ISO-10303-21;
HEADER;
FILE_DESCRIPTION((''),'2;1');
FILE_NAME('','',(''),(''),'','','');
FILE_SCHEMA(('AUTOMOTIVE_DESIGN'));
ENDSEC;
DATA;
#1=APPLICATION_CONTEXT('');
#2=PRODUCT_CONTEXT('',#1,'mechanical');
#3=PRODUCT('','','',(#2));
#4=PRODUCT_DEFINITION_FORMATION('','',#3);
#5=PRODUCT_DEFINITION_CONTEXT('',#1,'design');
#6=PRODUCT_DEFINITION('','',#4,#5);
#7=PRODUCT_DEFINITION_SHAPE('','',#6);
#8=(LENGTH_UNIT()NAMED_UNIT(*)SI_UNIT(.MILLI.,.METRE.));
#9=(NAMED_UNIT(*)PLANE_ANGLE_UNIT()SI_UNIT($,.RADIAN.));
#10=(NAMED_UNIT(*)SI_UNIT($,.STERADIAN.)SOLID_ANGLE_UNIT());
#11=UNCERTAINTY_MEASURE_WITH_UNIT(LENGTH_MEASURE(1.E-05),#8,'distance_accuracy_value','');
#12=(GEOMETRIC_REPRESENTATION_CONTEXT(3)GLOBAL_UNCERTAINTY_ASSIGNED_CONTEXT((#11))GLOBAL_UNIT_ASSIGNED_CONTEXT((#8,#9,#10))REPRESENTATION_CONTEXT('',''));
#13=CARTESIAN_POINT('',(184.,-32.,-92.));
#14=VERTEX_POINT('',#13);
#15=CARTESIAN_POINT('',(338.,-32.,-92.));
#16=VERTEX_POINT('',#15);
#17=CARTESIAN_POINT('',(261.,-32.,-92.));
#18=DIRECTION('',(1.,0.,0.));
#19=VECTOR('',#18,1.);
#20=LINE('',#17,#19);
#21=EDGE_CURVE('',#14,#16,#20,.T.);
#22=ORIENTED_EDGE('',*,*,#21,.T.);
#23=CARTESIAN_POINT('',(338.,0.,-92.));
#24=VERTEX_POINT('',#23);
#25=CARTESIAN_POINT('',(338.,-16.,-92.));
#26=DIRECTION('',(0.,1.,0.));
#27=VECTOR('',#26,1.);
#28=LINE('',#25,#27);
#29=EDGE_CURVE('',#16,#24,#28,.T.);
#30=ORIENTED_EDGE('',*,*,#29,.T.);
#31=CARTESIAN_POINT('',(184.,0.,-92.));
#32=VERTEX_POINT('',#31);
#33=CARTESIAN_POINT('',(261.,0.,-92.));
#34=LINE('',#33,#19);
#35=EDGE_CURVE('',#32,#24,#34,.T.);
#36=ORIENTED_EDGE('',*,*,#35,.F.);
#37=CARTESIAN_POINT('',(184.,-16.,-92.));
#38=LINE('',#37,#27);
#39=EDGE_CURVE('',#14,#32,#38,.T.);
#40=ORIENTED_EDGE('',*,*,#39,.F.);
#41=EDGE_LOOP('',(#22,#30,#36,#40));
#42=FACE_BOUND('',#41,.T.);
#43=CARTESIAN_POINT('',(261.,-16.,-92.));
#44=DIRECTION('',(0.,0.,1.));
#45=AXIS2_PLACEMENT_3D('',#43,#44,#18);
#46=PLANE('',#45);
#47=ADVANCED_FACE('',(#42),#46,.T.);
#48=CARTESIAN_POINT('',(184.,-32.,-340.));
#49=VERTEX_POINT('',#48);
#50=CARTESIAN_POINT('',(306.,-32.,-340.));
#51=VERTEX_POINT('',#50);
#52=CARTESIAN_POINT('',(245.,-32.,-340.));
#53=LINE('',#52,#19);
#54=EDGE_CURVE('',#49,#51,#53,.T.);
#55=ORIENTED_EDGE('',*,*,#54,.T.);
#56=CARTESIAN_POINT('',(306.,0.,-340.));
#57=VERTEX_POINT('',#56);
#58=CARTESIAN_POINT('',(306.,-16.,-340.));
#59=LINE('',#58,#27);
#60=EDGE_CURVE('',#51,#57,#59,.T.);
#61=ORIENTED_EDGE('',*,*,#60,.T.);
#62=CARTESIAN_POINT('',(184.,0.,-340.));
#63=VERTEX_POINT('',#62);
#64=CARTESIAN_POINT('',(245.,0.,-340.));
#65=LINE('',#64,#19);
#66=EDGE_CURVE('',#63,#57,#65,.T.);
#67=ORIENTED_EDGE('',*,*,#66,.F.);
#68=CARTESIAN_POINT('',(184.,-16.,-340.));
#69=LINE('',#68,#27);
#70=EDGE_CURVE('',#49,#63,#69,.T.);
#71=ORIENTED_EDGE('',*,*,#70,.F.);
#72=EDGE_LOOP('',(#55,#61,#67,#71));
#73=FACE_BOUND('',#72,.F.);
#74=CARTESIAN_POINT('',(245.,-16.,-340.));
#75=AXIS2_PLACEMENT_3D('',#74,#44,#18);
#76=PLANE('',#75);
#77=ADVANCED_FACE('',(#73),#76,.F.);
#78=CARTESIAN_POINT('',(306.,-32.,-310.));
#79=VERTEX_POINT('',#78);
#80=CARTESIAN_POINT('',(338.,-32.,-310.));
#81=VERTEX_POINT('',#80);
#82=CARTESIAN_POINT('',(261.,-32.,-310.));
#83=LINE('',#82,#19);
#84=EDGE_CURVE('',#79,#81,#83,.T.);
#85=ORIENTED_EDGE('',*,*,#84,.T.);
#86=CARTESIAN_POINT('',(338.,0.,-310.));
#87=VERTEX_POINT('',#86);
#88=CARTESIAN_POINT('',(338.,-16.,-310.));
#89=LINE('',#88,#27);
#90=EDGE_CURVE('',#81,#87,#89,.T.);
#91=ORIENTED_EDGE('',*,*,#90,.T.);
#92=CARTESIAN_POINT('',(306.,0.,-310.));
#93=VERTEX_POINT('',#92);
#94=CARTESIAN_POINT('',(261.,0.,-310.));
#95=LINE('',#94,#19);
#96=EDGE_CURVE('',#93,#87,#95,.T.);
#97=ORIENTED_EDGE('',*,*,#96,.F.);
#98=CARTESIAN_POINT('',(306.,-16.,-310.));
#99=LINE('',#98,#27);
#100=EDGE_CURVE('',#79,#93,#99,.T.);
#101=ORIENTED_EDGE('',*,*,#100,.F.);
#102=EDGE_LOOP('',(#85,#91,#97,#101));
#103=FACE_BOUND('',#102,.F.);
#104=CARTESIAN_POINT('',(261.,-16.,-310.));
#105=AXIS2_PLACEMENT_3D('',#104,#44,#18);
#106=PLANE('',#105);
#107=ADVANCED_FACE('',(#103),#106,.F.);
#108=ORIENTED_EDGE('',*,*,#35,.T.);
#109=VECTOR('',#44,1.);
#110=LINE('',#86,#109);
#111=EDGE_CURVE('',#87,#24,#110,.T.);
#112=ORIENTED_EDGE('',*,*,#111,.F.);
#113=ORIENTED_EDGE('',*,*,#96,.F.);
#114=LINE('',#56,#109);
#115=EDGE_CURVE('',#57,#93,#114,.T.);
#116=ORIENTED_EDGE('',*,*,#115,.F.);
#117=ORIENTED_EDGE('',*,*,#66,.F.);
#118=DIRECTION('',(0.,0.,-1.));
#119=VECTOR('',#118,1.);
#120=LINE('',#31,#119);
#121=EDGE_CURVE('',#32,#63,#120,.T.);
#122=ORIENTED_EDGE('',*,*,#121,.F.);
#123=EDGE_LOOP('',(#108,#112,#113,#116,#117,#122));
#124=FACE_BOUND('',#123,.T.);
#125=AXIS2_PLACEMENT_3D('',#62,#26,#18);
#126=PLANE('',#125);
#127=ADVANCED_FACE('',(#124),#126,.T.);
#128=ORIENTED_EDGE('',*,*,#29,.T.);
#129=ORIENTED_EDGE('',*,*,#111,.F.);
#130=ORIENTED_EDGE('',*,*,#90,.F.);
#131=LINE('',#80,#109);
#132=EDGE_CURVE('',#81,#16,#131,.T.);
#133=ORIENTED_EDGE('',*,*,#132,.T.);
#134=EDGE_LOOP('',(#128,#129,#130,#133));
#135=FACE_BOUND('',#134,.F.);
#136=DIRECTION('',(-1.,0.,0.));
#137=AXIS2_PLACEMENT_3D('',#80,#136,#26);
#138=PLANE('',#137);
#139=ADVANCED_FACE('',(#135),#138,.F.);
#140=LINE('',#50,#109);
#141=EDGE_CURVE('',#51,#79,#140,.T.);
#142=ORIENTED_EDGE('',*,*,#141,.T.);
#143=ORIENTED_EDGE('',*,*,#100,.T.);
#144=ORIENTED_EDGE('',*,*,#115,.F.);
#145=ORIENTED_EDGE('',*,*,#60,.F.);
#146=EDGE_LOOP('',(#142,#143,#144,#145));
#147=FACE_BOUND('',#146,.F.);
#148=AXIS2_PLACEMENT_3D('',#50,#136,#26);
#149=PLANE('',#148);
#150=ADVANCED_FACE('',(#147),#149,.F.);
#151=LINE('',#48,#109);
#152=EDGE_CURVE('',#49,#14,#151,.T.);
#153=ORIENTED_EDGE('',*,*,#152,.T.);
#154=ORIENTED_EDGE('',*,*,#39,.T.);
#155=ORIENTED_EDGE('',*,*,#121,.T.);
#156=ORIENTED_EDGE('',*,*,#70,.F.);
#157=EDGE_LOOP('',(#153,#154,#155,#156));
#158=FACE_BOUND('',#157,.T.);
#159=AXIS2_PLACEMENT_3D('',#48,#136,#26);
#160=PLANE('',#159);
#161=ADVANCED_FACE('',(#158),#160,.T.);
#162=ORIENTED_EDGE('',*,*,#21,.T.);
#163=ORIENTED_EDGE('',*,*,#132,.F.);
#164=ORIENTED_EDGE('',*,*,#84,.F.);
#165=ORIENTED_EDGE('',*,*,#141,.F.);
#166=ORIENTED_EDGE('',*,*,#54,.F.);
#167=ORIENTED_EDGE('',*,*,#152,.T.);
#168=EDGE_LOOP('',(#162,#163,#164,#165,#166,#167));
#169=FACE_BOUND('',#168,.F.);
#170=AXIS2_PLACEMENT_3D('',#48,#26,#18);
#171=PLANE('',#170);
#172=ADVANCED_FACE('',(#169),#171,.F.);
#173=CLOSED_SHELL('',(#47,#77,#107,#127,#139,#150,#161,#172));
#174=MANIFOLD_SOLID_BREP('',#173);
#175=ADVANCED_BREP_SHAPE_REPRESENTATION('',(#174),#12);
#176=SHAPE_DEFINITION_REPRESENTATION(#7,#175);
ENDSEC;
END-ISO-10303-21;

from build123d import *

# Parameters (mm, degrees)
BOX003013002_W     = 122
BOX003013002_H     = 32
BOX003013002_DEPTH = 30
BOX003013_W        = 154
BOX003013_H        = 32
BOX003013_DEPTH    = 218


with BuildPart() as cortador_derecha_fleje:
    # Box003013002 → Box003013002 (new body)
    with BuildSketch(Plane(origin=(184, -32, -340), x_dir=(1, 0, 0), z_dir=(0, 0, 1))):
        with Locations((61, 16)):
            Rectangle(BOX003013002_W, BOX003013002_H)
    extrude(amount=BOX003013002_DEPTH)


with BuildPart() as fusion_cortador_derecho:
    # Box003013 → Box003013 (new body)
    with BuildSketch(Plane(origin=(184, -32, -310), x_dir=(1, 0, 0), z_dir=(0, 0, 1))):
        with Locations((77, 16)):
            Rectangle(BOX003013_W, BOX003013_H)
    extrude(amount=BOX003013_DEPTH)

    # Fusion011006: union cortador derecha fleje
    add(cortador_derecha_fleje.part)


solid = fusion_cortador_derecho.part
